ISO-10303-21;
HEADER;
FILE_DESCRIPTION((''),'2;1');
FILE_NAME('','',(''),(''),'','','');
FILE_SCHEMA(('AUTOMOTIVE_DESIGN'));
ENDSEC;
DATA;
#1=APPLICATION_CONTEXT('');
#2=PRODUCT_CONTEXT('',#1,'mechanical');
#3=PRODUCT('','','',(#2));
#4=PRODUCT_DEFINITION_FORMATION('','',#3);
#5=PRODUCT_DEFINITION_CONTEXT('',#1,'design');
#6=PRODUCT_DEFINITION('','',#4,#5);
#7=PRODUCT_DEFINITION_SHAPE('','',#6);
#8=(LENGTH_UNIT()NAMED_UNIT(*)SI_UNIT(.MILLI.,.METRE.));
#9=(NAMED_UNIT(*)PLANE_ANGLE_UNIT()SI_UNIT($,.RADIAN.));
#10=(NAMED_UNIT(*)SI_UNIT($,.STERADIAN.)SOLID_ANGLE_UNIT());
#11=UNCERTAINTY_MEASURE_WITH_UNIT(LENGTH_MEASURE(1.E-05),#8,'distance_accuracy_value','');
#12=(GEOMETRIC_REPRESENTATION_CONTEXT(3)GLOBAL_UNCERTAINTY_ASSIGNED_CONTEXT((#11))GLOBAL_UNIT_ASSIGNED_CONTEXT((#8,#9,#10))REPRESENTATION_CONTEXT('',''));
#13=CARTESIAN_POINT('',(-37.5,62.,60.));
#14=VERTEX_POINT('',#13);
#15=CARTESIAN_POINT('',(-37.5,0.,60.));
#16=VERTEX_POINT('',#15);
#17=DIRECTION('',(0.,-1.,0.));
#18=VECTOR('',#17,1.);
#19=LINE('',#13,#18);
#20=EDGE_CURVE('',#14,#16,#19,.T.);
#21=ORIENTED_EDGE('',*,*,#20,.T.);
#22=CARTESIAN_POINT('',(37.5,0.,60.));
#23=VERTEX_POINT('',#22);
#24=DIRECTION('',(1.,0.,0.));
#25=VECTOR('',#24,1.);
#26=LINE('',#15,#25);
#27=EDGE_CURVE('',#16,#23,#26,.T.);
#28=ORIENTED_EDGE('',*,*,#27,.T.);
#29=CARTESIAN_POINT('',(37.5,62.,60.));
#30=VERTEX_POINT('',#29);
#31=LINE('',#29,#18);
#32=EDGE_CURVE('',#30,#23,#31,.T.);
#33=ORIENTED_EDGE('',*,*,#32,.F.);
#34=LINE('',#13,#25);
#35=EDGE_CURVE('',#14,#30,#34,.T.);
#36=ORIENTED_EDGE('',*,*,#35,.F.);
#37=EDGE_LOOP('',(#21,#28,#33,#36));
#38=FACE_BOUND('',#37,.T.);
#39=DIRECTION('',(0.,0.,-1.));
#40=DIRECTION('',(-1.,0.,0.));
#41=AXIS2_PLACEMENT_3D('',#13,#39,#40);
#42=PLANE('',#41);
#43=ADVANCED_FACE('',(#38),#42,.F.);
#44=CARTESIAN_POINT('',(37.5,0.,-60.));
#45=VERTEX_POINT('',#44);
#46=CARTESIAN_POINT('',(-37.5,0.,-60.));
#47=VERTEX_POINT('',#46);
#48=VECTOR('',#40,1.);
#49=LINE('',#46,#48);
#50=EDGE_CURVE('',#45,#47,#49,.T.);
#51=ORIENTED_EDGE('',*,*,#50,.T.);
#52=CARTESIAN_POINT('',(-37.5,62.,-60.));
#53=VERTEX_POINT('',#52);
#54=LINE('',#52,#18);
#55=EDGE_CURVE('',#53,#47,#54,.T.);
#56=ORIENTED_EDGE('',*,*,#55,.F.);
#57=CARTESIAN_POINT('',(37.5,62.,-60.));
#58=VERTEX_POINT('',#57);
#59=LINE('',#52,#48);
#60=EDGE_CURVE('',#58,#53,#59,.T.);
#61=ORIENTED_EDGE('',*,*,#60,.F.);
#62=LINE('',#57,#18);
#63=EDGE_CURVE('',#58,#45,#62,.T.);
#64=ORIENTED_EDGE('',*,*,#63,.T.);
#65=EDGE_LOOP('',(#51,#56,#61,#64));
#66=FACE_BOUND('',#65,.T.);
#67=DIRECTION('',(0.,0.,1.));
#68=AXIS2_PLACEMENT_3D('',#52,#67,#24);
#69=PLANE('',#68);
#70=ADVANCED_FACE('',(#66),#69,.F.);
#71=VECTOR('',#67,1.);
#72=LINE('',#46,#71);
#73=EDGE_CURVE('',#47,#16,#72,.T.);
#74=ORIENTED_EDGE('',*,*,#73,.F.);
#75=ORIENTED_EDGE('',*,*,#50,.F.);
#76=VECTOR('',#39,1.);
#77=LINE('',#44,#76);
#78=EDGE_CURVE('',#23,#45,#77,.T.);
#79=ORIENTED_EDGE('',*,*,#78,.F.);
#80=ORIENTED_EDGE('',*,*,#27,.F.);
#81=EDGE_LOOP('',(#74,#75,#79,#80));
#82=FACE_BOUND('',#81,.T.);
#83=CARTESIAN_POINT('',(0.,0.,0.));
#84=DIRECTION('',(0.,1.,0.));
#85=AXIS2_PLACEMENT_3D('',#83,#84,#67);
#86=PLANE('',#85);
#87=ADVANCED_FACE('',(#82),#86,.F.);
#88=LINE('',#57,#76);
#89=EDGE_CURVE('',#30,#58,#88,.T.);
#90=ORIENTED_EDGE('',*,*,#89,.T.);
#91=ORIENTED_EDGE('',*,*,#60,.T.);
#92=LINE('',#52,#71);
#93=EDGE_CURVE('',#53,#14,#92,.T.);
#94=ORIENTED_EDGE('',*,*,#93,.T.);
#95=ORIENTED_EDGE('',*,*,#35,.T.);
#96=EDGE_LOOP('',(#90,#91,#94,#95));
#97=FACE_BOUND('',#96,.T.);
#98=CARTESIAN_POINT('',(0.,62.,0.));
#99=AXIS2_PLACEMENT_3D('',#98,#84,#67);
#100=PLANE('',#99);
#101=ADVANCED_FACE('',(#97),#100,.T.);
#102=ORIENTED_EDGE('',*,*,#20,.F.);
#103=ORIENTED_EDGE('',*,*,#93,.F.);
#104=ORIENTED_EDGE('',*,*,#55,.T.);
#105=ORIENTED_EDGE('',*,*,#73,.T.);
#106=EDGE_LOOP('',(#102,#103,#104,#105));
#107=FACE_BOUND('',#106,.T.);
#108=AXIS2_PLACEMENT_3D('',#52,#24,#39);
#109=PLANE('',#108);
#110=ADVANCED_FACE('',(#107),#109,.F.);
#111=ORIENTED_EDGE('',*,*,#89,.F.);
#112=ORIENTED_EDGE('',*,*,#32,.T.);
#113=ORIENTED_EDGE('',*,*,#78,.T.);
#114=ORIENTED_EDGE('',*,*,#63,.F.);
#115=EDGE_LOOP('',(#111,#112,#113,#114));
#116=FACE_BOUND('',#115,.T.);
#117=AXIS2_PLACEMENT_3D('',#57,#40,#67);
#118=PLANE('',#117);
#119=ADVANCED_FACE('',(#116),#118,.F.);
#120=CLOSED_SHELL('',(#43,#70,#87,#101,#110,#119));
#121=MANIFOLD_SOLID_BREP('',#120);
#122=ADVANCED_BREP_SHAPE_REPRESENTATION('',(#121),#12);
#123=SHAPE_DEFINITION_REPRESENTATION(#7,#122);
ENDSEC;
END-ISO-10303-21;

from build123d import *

# Parameters (mm, degrees)
SKETCH_2_W      = 75
SKETCH_2_H      = 120
EXTRUDE_1_DEPTH = 62


with BuildPart() as part:
    # 草图2 → 凸台-拉伸1 (new body)
    with BuildSketch(Plane(origin=(0, 0, 0), x_dir=(1, 0, 0), z_dir=(0, 1, 0))):
        Rectangle(SKETCH_2_W, SKETCH_2_H)
    extrude(amount=EXTRUDE_1_DEPTH)


solid = part.part
